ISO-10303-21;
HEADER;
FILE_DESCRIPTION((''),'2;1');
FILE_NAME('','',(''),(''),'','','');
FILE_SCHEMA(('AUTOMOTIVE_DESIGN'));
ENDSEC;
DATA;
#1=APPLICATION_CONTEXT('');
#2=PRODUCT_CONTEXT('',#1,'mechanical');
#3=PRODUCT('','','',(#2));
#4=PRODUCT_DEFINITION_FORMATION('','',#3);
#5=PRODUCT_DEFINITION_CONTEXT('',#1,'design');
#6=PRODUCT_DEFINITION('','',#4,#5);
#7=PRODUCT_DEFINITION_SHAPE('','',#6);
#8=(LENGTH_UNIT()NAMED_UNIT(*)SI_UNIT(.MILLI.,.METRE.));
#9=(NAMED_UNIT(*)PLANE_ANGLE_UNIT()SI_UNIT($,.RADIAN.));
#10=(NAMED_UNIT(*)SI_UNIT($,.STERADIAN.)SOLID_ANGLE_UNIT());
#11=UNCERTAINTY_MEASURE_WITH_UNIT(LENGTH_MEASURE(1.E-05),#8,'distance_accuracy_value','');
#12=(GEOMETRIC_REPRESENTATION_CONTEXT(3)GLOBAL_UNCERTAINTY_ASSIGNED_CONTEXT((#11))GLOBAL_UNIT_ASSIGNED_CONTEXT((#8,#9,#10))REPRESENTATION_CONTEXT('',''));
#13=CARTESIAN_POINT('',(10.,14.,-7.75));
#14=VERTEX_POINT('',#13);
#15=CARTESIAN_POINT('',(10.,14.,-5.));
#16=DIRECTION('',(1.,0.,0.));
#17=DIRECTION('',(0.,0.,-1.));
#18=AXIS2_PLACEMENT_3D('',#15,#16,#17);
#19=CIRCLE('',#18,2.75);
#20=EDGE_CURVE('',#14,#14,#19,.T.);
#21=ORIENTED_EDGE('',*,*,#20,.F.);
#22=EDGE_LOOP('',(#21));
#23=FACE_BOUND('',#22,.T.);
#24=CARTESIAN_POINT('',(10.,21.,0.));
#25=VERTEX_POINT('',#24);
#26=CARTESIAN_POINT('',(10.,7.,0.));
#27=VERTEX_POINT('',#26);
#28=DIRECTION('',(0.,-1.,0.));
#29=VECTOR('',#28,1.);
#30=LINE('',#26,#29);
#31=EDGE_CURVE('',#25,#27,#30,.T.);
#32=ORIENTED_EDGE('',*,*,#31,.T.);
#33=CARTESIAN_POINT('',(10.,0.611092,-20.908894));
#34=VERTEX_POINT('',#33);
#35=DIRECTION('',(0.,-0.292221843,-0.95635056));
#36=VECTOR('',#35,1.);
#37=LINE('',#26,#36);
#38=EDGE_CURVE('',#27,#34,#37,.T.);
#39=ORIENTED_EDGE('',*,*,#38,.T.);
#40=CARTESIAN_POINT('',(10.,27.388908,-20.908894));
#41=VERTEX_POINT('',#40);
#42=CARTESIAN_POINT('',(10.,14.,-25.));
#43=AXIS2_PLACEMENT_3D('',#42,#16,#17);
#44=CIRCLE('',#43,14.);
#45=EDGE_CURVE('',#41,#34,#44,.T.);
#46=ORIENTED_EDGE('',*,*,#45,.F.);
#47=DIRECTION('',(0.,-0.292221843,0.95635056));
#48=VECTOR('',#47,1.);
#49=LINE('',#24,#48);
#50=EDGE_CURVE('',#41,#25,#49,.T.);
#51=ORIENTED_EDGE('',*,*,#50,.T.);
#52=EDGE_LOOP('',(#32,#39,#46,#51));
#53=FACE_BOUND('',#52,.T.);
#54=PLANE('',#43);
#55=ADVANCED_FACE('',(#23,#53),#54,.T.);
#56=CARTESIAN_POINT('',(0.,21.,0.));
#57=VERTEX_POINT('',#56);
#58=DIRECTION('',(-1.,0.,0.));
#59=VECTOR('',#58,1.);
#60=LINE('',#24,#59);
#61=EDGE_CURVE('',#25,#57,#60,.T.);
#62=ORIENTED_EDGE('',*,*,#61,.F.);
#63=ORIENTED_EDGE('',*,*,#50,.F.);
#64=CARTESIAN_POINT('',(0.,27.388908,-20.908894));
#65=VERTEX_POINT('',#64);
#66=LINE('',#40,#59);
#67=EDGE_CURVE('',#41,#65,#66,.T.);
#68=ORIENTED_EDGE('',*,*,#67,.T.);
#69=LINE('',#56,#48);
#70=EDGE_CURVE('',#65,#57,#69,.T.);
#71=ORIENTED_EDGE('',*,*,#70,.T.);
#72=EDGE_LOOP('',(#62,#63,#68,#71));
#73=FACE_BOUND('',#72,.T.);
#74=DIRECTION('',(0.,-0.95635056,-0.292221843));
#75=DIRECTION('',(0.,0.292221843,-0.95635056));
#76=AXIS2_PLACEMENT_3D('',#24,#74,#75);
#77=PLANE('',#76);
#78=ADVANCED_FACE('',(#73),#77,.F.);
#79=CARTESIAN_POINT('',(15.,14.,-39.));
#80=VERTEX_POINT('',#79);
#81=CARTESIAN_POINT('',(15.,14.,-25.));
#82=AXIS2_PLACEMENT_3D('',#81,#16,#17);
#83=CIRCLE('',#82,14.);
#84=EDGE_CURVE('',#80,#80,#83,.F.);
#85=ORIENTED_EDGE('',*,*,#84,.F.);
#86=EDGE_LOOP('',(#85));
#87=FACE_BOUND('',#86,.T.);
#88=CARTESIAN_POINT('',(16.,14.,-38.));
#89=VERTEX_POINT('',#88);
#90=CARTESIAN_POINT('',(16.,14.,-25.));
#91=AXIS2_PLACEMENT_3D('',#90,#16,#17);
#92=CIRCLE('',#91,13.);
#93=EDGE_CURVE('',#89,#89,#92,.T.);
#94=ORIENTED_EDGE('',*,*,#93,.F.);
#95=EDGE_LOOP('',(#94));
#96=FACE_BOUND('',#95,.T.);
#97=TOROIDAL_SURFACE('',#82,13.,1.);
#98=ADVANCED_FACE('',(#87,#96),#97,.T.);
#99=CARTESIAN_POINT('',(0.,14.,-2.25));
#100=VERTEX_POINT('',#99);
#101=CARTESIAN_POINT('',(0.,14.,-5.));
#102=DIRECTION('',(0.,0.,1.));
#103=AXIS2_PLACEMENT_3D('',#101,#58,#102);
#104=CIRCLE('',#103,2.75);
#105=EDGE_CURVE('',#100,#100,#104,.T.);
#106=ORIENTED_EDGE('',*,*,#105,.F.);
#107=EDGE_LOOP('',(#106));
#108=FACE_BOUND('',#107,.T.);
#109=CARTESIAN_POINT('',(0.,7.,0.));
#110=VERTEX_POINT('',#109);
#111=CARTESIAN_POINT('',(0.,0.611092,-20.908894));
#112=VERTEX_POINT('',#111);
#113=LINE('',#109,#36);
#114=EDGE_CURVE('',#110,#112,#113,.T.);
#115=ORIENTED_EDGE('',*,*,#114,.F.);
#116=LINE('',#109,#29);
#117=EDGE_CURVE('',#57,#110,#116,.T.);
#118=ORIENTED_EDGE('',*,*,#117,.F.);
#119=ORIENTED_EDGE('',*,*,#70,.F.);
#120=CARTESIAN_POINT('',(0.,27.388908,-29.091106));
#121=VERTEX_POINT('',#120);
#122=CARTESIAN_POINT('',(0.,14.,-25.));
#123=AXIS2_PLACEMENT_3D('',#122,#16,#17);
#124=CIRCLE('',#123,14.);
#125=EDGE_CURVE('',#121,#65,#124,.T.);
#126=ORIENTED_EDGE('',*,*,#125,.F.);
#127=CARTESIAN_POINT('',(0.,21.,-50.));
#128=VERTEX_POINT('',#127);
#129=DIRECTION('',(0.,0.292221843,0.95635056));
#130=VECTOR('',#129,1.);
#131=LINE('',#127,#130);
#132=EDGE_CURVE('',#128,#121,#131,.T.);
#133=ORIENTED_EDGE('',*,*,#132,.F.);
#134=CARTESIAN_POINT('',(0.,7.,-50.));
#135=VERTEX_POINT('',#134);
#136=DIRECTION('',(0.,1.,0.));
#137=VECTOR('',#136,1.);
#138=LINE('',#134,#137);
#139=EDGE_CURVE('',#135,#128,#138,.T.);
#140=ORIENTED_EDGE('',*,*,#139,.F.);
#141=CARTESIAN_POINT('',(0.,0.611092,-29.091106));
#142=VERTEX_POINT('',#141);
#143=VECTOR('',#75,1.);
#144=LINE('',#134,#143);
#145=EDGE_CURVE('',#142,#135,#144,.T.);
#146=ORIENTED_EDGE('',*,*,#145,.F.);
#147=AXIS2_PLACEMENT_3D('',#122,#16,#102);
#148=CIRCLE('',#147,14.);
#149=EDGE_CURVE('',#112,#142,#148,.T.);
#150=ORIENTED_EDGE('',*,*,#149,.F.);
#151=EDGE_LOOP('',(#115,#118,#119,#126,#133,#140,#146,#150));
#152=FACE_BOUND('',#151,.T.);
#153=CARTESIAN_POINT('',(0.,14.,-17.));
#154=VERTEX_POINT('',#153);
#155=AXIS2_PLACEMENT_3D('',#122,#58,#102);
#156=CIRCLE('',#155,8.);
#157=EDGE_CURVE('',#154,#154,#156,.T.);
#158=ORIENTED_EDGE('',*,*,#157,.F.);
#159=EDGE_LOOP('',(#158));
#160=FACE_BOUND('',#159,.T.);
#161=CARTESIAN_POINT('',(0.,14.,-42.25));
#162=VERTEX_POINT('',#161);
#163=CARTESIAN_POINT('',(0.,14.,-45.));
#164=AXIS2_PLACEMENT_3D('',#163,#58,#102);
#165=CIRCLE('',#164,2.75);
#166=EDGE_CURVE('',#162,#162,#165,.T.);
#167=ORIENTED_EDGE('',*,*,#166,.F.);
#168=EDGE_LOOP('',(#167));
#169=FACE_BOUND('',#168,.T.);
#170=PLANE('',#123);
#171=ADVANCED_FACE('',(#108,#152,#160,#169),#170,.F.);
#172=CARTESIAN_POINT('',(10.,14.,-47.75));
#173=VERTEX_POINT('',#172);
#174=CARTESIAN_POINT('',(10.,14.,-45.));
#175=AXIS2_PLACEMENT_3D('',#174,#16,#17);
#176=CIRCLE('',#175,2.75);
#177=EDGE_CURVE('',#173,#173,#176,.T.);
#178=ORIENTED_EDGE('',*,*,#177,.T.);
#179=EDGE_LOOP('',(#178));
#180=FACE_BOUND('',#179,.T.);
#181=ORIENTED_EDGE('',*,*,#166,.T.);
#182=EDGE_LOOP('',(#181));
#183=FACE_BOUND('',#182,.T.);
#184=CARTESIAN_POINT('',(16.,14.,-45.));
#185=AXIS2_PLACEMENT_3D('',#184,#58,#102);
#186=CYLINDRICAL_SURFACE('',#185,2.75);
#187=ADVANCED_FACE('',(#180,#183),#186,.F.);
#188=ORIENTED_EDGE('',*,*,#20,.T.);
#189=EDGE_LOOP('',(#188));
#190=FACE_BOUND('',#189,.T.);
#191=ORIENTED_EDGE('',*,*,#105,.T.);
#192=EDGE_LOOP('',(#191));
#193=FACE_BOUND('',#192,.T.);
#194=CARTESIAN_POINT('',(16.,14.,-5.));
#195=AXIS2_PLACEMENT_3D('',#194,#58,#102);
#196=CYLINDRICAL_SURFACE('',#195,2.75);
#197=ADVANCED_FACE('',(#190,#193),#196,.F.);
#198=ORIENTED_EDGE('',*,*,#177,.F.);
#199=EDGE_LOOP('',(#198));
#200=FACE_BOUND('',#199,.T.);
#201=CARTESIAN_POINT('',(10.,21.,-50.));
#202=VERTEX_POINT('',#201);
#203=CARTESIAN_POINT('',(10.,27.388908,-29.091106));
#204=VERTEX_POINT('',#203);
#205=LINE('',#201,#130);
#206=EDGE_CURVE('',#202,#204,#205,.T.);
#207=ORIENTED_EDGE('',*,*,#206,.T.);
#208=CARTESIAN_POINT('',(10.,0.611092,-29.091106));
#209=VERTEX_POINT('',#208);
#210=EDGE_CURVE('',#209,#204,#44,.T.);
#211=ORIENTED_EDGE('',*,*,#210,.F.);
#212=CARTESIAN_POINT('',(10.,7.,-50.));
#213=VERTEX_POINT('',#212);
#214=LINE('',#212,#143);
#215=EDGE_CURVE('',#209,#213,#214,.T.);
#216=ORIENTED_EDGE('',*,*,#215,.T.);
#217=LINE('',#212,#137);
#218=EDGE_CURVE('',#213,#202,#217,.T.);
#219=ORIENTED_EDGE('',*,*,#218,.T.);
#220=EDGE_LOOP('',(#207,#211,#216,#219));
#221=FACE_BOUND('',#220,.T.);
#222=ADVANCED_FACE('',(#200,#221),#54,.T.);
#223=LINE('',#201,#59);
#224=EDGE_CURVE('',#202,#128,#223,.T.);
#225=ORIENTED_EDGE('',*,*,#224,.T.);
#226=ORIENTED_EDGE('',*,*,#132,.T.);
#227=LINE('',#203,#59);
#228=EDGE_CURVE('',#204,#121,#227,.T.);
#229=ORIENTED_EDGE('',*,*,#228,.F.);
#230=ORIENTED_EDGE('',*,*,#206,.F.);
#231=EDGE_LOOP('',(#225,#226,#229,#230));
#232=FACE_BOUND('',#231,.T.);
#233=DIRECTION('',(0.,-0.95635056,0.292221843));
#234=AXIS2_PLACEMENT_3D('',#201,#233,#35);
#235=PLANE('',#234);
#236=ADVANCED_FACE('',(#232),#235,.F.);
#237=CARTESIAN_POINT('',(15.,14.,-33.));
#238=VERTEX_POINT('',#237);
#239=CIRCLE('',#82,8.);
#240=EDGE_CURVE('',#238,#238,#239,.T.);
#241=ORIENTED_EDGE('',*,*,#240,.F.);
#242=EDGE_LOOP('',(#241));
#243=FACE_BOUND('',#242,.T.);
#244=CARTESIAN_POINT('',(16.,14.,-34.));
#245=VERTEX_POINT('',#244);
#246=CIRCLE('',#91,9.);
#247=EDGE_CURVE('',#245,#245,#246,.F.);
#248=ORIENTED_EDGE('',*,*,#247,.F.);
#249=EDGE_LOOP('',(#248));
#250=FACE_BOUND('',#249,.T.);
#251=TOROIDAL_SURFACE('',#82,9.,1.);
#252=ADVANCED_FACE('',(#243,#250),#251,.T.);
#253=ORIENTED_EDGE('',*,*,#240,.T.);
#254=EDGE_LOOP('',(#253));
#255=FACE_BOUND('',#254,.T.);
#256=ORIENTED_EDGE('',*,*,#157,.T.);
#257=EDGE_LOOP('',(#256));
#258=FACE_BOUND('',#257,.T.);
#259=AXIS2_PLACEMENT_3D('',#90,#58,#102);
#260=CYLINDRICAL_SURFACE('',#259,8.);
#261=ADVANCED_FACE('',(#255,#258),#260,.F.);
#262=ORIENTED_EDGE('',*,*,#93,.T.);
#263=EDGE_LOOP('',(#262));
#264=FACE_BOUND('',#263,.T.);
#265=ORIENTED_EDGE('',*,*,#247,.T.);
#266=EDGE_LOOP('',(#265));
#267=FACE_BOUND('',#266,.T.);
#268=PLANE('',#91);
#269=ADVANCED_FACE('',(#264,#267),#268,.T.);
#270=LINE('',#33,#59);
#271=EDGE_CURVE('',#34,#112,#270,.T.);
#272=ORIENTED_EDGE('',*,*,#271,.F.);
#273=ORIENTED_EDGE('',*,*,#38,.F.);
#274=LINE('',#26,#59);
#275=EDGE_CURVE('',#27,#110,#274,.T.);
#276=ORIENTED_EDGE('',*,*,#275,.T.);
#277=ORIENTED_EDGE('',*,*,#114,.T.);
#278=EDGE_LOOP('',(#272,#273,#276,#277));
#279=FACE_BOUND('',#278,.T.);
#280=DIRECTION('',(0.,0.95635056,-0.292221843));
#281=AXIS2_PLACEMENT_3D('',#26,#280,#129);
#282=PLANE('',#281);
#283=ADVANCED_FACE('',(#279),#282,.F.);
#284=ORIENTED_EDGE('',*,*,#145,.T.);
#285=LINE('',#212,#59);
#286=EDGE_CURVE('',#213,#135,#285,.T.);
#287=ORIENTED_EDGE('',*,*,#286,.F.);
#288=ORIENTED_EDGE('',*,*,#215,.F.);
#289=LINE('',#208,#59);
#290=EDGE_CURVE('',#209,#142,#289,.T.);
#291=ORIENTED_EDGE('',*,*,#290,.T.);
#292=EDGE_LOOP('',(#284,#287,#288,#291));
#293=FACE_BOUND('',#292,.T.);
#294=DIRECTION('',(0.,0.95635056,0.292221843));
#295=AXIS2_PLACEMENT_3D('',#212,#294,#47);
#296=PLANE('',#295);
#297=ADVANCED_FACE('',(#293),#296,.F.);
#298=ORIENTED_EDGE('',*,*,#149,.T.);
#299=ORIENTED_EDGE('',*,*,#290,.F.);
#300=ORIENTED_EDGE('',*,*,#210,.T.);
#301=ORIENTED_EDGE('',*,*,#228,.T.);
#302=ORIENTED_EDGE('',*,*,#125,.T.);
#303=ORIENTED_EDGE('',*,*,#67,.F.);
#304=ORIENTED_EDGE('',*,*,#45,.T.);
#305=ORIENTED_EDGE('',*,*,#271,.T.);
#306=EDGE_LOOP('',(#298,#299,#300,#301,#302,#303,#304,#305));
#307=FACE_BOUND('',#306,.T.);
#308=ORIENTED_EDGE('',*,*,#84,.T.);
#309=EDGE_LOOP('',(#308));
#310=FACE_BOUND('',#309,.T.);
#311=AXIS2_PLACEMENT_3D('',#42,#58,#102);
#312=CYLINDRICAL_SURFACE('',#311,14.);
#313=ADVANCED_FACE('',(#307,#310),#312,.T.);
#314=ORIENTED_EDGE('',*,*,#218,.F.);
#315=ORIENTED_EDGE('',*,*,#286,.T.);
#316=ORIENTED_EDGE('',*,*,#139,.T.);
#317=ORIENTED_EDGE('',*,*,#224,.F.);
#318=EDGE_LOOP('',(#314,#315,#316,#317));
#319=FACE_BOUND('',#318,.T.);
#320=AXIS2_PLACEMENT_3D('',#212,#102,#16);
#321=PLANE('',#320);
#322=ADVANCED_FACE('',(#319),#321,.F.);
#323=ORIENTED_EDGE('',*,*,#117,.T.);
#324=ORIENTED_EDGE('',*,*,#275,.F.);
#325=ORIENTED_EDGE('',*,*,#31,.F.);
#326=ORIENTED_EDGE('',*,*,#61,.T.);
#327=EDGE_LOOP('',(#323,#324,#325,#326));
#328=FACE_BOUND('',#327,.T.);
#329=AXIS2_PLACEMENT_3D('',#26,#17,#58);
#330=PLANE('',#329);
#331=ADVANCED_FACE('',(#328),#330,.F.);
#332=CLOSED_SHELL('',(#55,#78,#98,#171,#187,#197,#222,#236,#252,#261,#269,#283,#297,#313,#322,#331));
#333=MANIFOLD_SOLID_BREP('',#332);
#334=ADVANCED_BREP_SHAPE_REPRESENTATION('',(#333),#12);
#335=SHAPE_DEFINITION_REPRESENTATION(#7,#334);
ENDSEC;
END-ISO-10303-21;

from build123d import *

# Parameters (mm, degrees)
BOSS_EXTRUDE1_DEPTH = 10
SKETCH3_R           = 14
BOSS_EXTRUDE2_DEPTH = 6
SKETCH4_R           = 2.75
SKETCH4_R_2         = 8
CUT_EXTRUDE1_DEPTH  = 16
FILLET1_R           = 1


with BuildPart() as part:
    # Sketch2 → Boss-Extrude1 (new body)
    with BuildSketch(Plane(origin=(0, 0, 0), x_dir=(0, 0, -1), z_dir=(1, 0, 0))):
        with BuildLine():
            Line((50, 7), (29.091106, 0.611092))
            ThreePointArc((29.091106, 0.611092), (25, 0), (20.908894, 0.611092))
            Line((20.908894, 0.611092), (0, 7))
            Line((0, 7), (0, 21))
            Line((0, 21), (20.908894, 27.388908))
            ThreePointArc((20.908894, 27.388908), (25, 28), (29.091106, 27.388908))
            Line((29.091106, 27.388908), (50, 21))
            Line((50, 21), (50, 7))
        make_face()
    extrude(amount=BOSS_EXTRUDE1_DEPTH)

    # Sketch3 → Boss-Extrude2 (add)
    with BuildSketch(Plane(origin=(10, 0, 0), x_dir=(0, 0, -1), z_dir=(1, 0, 0))):
        with Locations(Location((25, 14, 0), (0, 0, 253.008979))):
            Circle(SKETCH3_R)
    extrude(amount=BOSS_EXTRUDE2_DEPTH)

    # Sketch4 → Cut-Extrude1 (cut)
    with BuildSketch(Plane.ZY):
        with Locations((-45, 14)):
            Circle(SKETCH4_R)
        with Locations((-25, 14)):
            Circle(SKETCH4_R_2)
        with Locations((-5, 14)):
            Circle(SKETCH4_R)
    extrude(amount=-CUT_EXTRUDE1_DEPTH, mode=Mode.SUBTRACT)

    # Fillet1
    fillet1_edges = [part.edges().sort_by_distance(p)[0] for p in [
        (16, 27.388908, -29.091106),
        (16, 14, -33),
    ]]
    fillet(fillet1_edges, radius=FILLET1_R)


solid = part.part
